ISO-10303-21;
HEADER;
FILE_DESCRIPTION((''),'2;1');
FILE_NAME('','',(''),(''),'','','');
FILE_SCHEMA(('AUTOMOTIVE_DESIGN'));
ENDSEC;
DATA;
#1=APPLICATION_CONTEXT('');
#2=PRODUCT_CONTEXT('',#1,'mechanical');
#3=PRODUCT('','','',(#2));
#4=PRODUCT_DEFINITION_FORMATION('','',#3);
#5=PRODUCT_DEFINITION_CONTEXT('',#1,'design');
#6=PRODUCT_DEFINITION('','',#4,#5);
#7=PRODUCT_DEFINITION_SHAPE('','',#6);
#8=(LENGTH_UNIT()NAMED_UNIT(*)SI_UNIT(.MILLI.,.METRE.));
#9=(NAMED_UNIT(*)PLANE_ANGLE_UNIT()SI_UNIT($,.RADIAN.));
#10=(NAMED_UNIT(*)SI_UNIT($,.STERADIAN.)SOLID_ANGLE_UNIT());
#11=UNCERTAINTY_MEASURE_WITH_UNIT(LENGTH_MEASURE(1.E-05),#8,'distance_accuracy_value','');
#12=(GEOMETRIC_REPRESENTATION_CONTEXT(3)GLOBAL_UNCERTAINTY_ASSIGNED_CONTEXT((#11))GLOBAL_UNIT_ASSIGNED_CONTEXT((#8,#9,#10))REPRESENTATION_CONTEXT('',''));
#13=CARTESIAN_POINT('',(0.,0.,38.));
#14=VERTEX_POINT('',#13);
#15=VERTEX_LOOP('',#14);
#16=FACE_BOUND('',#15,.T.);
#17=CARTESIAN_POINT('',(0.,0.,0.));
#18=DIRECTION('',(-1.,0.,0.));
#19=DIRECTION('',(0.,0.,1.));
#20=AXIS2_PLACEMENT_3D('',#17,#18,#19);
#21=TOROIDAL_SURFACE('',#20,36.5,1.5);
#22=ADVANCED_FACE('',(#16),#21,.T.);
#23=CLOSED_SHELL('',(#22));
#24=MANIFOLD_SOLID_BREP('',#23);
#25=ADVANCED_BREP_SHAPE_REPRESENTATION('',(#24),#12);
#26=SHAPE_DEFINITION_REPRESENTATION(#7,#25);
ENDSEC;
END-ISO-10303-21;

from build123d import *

# Parameters (mm, degrees)
SKETCH_1_R = 1.5


with BuildPart() as part:
    # 草图1 → 旋转2 (revolve)
    with BuildSketch(Plane.XY, mode=Mode.PRIVATE) as revolve_2_sk:
        with Locations((0, 36.5)):
            Circle(SKETCH_1_R)
    revolve(revolve_2_sk.sketch.rotate(Axis((-30.558876756, 0, 0), (1, 0, 0)), 90), axis=Axis((-30.558876756, 0, 0), (1, 0, 0)))


solid = part.part
